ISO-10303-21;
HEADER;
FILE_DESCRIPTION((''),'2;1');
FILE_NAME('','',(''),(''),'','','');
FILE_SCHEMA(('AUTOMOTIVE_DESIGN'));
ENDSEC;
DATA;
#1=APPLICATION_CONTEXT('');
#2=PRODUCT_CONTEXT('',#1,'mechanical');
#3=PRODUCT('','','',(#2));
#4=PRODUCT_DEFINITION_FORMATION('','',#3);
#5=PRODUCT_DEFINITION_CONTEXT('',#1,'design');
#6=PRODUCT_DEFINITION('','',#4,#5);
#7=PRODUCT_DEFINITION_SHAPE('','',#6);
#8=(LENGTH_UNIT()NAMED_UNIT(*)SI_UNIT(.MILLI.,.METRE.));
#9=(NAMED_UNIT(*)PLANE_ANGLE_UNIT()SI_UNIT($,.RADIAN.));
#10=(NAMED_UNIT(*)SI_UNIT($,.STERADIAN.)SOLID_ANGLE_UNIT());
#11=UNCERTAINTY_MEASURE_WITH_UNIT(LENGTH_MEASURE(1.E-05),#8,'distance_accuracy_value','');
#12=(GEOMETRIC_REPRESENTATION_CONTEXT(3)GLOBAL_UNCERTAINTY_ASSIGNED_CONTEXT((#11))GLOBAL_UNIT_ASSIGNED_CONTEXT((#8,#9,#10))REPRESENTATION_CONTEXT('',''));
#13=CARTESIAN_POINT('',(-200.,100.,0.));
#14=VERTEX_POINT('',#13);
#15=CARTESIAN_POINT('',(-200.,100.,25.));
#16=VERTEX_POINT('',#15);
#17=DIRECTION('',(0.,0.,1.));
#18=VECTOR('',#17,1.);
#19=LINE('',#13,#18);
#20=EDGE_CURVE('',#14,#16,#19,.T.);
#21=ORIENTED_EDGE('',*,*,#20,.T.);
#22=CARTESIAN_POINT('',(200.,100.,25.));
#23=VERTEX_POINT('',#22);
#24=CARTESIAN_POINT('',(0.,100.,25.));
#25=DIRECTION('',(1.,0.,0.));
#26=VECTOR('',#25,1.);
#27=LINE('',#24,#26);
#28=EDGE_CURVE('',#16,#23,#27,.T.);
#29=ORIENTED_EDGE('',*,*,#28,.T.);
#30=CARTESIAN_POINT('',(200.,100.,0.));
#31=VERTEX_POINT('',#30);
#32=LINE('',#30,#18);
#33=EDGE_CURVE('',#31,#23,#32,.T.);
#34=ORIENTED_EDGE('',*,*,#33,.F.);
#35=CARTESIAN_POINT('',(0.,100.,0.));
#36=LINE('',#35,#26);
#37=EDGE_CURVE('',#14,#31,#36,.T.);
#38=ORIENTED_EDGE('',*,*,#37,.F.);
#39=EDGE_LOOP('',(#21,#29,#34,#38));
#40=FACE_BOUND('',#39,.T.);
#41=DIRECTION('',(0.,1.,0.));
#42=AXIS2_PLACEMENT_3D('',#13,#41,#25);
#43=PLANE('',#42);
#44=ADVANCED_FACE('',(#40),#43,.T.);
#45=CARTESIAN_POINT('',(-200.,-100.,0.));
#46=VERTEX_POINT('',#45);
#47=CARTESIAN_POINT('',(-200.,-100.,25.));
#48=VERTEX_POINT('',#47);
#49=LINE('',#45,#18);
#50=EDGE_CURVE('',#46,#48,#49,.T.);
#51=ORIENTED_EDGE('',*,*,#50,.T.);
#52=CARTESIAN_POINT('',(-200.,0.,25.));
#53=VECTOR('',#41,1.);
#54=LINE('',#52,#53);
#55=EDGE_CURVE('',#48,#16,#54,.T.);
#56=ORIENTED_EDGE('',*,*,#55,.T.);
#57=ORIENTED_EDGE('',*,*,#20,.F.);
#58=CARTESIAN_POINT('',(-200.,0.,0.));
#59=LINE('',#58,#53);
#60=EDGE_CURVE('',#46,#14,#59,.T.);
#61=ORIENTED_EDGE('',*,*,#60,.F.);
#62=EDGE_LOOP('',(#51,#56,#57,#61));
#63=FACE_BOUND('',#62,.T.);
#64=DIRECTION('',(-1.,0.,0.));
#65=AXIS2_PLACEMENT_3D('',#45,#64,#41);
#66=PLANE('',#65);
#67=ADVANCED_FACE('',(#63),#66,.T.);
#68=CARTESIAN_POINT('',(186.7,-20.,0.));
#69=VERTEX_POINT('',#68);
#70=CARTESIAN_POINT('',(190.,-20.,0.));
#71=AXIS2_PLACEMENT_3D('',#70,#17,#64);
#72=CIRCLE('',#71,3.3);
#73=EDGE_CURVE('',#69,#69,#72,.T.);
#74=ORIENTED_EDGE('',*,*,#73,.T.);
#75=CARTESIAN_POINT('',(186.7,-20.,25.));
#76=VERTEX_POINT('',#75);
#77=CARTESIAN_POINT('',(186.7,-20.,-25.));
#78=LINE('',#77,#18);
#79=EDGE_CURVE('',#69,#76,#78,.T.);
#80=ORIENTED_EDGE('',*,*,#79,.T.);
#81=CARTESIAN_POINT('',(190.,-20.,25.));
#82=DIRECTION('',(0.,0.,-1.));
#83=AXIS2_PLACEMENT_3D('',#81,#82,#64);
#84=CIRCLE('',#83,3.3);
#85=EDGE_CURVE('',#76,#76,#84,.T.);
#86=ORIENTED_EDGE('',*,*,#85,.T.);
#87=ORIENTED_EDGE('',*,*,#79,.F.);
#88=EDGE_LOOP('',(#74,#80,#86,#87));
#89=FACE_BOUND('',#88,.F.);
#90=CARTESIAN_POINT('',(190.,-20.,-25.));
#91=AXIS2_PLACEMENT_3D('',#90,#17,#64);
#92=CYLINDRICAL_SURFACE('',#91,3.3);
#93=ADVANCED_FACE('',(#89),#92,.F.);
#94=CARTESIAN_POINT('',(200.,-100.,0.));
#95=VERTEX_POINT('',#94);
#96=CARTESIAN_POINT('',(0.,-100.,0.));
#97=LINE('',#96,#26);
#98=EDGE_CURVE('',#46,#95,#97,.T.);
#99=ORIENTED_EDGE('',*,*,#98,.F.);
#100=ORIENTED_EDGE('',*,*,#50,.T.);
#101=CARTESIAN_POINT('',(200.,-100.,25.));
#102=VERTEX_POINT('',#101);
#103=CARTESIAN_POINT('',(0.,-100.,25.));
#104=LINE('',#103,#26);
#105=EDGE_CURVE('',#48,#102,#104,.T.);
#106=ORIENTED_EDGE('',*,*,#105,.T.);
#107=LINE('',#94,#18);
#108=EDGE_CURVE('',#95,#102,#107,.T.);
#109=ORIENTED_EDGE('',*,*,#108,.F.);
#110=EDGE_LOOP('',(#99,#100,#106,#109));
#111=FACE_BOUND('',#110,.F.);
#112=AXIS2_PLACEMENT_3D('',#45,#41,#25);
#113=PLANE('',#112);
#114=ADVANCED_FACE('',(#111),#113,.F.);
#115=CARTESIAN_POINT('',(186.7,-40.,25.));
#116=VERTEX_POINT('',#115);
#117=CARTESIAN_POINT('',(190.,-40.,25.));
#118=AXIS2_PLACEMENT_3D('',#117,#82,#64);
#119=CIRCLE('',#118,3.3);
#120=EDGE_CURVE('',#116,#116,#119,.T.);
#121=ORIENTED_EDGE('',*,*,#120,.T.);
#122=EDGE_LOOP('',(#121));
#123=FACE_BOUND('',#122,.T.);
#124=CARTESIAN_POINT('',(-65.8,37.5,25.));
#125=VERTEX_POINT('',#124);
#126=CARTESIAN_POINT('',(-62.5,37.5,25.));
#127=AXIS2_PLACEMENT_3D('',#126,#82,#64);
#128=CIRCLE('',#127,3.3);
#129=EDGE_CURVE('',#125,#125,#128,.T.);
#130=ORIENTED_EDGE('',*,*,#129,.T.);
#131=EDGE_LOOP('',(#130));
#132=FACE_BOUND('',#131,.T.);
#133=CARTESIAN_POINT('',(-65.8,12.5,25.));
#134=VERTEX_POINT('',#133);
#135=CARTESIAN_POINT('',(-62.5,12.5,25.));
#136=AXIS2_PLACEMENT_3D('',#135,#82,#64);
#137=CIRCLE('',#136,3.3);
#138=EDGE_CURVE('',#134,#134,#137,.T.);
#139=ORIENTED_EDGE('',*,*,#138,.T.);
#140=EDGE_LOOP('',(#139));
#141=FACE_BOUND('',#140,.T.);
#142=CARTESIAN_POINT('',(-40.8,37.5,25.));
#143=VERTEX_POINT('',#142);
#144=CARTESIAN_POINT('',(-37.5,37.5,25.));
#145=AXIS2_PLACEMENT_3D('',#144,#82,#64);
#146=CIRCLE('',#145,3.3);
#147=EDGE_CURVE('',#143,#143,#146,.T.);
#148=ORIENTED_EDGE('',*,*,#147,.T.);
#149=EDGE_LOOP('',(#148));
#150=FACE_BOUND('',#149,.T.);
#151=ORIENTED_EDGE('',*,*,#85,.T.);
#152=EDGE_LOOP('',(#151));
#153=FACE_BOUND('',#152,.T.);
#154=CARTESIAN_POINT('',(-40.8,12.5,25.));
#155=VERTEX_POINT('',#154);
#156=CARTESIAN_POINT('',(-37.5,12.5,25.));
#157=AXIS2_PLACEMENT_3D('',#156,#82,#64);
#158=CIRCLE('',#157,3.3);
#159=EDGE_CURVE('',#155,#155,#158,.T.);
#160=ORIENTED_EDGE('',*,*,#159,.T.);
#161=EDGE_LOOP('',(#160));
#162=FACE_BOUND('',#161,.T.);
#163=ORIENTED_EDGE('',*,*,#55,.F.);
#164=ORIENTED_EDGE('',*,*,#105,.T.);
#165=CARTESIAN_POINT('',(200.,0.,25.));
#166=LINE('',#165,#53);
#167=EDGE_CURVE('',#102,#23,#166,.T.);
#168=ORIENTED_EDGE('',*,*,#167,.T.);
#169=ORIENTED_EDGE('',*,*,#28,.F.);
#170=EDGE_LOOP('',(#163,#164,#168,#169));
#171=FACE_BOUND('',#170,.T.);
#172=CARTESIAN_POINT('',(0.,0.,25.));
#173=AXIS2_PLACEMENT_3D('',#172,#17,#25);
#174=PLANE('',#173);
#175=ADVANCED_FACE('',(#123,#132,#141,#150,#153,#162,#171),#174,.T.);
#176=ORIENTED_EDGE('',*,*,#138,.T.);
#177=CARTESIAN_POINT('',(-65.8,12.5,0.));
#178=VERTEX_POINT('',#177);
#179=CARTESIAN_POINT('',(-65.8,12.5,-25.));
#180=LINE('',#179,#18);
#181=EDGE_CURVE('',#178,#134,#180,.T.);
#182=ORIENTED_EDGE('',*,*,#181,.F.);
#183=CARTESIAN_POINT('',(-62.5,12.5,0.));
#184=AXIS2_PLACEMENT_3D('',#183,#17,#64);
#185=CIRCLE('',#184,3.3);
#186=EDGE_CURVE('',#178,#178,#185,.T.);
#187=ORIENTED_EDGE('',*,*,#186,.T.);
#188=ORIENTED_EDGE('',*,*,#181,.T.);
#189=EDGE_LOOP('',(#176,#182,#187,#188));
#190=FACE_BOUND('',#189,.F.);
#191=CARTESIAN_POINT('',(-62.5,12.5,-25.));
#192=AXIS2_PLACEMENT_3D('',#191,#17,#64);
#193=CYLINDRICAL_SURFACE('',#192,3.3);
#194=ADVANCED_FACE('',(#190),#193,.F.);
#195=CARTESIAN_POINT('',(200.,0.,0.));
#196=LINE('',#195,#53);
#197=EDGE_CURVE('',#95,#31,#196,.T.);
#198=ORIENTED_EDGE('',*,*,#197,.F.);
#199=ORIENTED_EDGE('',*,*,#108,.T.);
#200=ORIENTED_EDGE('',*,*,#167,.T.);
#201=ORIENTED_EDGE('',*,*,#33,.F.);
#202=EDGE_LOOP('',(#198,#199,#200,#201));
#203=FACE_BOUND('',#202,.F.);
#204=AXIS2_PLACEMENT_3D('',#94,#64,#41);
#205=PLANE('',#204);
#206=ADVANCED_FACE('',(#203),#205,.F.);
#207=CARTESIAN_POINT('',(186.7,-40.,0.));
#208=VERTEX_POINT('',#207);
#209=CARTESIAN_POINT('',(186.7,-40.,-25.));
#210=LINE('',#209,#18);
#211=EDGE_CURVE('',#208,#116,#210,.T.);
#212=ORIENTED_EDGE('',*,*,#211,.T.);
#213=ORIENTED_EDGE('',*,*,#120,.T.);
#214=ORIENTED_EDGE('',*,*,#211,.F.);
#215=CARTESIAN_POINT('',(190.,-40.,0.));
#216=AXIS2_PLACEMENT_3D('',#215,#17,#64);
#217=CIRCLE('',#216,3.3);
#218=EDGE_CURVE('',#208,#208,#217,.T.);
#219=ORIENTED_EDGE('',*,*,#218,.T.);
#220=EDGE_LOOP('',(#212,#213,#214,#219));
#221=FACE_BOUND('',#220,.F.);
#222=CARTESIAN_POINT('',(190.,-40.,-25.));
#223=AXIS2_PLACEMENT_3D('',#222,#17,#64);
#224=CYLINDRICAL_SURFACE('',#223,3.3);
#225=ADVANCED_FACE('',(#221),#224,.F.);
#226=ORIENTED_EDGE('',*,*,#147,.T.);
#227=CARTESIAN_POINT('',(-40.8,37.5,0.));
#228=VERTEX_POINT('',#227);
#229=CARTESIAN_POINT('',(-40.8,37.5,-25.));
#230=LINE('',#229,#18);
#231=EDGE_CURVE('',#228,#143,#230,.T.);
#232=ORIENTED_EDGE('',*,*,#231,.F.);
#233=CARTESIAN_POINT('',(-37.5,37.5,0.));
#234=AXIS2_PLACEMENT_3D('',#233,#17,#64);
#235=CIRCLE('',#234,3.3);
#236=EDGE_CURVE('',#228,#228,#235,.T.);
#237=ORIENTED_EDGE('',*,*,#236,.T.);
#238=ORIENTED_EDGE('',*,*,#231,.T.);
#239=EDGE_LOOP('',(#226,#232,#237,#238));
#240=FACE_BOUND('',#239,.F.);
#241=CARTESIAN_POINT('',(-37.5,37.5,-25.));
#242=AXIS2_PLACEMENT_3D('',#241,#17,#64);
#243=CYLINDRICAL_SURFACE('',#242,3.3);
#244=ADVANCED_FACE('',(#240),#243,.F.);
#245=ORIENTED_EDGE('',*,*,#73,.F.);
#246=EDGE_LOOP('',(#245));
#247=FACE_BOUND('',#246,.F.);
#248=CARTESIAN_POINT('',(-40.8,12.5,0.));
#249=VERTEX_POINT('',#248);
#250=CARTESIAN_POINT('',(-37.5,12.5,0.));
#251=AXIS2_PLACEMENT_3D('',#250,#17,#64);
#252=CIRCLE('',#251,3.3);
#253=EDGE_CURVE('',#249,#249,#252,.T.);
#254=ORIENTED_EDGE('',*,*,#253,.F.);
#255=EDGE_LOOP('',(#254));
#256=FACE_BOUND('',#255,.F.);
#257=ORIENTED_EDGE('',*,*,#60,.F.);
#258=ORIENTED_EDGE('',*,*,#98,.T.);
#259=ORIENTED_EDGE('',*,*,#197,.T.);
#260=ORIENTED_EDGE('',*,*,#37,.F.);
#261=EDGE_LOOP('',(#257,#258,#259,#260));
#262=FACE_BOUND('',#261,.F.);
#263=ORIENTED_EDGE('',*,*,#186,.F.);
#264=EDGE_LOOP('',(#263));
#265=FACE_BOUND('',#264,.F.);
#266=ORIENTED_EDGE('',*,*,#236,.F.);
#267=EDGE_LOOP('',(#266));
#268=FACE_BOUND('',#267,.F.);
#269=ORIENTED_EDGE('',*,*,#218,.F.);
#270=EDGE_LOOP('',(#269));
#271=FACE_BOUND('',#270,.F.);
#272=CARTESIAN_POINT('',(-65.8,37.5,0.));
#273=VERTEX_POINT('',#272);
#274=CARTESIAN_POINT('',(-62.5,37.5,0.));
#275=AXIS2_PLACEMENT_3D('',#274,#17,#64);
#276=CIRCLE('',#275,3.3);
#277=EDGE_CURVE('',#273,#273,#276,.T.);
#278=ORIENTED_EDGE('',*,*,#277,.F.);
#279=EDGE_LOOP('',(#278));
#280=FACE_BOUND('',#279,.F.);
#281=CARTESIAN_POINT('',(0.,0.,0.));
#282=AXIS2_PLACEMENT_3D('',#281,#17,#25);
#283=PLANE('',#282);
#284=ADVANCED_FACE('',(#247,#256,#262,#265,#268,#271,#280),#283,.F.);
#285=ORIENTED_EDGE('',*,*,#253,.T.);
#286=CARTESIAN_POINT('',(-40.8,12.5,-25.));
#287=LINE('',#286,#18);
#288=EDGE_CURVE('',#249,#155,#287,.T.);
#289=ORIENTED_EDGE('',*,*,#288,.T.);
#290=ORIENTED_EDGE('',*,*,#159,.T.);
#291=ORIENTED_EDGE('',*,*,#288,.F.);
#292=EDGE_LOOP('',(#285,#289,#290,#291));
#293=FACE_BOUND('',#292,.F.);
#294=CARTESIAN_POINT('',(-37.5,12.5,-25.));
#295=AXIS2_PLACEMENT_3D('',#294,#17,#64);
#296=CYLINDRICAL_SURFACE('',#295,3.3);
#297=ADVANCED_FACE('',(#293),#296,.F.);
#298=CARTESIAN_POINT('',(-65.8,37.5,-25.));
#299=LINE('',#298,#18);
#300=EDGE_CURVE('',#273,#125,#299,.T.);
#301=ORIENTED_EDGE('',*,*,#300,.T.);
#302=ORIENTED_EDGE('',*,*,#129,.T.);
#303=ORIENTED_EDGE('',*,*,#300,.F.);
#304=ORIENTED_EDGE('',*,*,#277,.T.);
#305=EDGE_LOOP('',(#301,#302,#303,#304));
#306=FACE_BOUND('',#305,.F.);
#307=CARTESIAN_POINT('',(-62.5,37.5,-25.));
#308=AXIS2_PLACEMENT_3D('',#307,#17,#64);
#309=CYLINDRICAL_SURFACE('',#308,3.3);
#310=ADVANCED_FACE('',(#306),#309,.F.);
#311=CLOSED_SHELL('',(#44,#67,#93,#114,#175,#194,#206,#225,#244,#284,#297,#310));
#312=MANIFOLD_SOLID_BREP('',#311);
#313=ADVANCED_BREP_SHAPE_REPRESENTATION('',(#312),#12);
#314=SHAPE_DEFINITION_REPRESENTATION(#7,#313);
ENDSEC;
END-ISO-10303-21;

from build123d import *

# Parameters (mm, degrees)
F0_W     = 400
F0_H     = 200
F0_W_2   = 25
F0_H_2   = 25
F1_DEPTH = 25
F2_D     = 6.6
F2_DEPTH = 25
F2_TIP   = 1.9828400428
F3_D     = 6.6
F3_DEPTH = 25
F3_TIP   = 1.9828400428


with BuildPart() as f1:
    # F0 (on Top) → F1 (new body)
    with BuildSketch(Plane.XY):
        Rectangle(F0_W, F0_H)
        with Locations((-50, 25)):
            Rectangle(F0_W_2, F0_H_2, mode=Mode.SUBTRACT)
        with Locations((-50, 25)):
            Rectangle(F0_W_2, F0_H_2)
    extrude(amount=F1_DEPTH)

    # F2
    with Locations(Plane(origin=(0, 0, 0), x_dir=(1, 0, 0), z_dir=(0, 0, -1))):
        with Locations((-62.5, -37.5), (-37.5, -12.5), (-37.5, -37.5), (-62.5, -12.5)):
            Hole(F2_D / 2, depth=F2_DEPTH)
            with Locations((0, 0, -(F2_DEPTH + F2_TIP / 2))):  # 118° drill point
                Cone(0, F2_D / 2, F2_TIP, mode=Mode.SUBTRACT)

    # F3
    with Locations(Plane(origin=(0, 0, 0), x_dir=(1, 0, 0), z_dir=(0, 0, -1))):
        with Locations((190, 20), (190, 40)):
            Hole(F3_D / 2, depth=F3_DEPTH)
            with Locations((0, 0, -(F3_DEPTH + F3_TIP / 2))):  # 118° drill point
                Cone(0, F3_D / 2, F3_TIP, mode=Mode.SUBTRACT)


solid = f1.part
